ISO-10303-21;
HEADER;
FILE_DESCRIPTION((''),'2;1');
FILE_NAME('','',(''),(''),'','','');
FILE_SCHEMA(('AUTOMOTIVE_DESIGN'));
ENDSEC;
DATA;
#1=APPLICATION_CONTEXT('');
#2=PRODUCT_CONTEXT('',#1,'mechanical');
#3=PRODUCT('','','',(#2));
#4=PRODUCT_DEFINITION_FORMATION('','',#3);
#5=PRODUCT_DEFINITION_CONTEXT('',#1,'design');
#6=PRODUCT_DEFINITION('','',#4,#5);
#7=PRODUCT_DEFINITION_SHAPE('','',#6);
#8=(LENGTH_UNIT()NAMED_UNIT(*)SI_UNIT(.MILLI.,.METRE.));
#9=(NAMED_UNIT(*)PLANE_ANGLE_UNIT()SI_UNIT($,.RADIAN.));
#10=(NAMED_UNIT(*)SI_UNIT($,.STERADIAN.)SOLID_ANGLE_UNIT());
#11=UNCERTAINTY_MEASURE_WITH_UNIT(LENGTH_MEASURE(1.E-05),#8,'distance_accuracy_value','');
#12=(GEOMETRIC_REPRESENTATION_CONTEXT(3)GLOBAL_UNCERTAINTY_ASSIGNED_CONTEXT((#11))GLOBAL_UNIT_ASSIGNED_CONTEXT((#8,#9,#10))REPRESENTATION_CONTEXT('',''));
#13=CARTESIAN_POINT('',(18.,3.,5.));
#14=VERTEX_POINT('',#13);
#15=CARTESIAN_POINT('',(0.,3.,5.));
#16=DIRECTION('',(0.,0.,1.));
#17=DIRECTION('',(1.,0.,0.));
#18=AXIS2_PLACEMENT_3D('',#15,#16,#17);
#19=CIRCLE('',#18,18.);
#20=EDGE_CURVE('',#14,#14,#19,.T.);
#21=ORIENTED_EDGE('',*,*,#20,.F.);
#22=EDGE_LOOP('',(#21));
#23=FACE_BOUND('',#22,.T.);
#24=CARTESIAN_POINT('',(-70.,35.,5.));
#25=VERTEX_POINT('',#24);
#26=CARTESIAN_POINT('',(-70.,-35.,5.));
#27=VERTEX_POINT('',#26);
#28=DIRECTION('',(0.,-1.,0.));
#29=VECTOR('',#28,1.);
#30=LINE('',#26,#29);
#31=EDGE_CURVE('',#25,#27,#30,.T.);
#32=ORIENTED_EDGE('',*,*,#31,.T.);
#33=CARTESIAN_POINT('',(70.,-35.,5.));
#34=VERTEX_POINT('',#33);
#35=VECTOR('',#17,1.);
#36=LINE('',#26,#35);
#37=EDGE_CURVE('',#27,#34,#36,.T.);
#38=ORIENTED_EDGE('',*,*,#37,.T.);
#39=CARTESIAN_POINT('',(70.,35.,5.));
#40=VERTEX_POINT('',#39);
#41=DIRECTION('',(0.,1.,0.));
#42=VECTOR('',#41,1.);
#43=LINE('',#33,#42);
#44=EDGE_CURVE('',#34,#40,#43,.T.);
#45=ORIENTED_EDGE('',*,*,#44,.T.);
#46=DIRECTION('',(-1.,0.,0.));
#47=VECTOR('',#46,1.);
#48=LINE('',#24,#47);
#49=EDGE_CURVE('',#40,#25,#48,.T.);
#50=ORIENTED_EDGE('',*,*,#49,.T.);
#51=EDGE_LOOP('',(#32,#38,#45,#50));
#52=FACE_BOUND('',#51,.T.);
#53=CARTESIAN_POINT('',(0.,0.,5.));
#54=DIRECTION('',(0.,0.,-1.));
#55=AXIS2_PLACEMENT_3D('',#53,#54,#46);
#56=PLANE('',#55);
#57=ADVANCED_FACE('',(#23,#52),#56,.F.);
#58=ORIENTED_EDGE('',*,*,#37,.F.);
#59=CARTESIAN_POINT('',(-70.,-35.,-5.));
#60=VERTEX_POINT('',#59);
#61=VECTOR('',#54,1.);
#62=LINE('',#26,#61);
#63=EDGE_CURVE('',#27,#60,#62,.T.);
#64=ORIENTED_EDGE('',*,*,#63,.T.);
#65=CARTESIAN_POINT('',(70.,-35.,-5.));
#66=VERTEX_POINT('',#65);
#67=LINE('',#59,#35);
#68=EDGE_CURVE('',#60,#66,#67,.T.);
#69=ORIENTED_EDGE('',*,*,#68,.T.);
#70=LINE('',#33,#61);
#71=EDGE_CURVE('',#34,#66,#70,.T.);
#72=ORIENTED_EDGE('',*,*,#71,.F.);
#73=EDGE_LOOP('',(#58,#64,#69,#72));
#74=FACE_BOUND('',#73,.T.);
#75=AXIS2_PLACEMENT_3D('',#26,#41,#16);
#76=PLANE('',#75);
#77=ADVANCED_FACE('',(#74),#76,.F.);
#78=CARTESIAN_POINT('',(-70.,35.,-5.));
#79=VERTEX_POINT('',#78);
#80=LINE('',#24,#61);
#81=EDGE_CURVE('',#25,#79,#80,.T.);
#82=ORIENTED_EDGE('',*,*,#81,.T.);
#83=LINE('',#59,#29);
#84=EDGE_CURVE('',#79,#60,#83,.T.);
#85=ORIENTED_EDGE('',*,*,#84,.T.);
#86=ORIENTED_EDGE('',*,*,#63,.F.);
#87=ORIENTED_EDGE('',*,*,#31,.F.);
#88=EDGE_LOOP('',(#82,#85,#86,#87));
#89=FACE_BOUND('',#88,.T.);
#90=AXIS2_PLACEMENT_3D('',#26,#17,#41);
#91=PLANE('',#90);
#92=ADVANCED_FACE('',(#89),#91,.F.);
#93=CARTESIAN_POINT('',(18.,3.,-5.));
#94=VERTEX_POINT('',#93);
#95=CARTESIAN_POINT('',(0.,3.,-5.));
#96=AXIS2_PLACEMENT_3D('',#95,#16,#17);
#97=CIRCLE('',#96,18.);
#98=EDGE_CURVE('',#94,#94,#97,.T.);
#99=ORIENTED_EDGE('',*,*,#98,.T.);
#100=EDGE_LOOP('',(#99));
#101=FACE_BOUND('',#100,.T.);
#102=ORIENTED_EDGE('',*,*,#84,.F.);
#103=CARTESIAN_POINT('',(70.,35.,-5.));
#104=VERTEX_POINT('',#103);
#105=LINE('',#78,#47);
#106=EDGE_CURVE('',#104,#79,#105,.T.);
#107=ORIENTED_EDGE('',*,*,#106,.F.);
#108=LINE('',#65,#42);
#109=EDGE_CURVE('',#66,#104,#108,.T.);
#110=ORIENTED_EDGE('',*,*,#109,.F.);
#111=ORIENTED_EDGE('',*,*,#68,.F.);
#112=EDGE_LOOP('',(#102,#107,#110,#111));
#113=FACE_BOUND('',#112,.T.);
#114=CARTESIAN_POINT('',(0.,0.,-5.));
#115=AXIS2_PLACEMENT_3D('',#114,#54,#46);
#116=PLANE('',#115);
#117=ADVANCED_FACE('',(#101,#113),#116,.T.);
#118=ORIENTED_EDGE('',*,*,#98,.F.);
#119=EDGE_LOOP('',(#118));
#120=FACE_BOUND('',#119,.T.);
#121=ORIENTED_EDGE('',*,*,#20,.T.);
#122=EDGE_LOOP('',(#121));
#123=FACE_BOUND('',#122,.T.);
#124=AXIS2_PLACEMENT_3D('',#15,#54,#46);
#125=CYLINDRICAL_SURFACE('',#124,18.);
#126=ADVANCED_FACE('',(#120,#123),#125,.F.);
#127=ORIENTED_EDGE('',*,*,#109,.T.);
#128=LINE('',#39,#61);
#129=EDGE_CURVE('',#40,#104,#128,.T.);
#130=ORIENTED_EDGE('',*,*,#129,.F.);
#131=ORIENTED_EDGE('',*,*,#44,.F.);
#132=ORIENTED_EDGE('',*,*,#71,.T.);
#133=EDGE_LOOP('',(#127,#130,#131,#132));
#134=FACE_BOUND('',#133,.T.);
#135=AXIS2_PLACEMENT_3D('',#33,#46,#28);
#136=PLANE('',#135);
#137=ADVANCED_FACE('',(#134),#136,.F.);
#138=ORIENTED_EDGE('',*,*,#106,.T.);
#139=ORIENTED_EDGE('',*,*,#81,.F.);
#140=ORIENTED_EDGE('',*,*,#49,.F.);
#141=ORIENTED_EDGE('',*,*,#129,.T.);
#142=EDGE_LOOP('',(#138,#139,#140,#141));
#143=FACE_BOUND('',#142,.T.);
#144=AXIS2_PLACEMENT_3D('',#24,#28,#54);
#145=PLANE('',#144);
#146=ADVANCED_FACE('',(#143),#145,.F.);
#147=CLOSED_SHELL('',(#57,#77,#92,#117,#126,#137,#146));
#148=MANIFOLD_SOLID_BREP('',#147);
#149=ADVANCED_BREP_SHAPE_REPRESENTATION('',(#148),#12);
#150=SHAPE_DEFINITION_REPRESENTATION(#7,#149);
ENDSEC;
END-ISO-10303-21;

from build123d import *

# Parameters (mm, degrees)
SKETCH_1_W      = 140
SKETCH_1_H      = 70
SKETCH_1_R      = 18
EXTRUDE_1_DEPTH = 5


with BuildPart() as part:
    # Эскиз1 → Бобышка-Вытянуть1 (new, symmetric)
    with BuildSketch(Plane.XY):
        Rectangle(SKETCH_1_W, SKETCH_1_H)
        with Locations((0, 3)):
            Circle(SKETCH_1_R, mode=Mode.SUBTRACT)
    extrude(amount=EXTRUDE_1_DEPTH, both=True)


solid = part.part
